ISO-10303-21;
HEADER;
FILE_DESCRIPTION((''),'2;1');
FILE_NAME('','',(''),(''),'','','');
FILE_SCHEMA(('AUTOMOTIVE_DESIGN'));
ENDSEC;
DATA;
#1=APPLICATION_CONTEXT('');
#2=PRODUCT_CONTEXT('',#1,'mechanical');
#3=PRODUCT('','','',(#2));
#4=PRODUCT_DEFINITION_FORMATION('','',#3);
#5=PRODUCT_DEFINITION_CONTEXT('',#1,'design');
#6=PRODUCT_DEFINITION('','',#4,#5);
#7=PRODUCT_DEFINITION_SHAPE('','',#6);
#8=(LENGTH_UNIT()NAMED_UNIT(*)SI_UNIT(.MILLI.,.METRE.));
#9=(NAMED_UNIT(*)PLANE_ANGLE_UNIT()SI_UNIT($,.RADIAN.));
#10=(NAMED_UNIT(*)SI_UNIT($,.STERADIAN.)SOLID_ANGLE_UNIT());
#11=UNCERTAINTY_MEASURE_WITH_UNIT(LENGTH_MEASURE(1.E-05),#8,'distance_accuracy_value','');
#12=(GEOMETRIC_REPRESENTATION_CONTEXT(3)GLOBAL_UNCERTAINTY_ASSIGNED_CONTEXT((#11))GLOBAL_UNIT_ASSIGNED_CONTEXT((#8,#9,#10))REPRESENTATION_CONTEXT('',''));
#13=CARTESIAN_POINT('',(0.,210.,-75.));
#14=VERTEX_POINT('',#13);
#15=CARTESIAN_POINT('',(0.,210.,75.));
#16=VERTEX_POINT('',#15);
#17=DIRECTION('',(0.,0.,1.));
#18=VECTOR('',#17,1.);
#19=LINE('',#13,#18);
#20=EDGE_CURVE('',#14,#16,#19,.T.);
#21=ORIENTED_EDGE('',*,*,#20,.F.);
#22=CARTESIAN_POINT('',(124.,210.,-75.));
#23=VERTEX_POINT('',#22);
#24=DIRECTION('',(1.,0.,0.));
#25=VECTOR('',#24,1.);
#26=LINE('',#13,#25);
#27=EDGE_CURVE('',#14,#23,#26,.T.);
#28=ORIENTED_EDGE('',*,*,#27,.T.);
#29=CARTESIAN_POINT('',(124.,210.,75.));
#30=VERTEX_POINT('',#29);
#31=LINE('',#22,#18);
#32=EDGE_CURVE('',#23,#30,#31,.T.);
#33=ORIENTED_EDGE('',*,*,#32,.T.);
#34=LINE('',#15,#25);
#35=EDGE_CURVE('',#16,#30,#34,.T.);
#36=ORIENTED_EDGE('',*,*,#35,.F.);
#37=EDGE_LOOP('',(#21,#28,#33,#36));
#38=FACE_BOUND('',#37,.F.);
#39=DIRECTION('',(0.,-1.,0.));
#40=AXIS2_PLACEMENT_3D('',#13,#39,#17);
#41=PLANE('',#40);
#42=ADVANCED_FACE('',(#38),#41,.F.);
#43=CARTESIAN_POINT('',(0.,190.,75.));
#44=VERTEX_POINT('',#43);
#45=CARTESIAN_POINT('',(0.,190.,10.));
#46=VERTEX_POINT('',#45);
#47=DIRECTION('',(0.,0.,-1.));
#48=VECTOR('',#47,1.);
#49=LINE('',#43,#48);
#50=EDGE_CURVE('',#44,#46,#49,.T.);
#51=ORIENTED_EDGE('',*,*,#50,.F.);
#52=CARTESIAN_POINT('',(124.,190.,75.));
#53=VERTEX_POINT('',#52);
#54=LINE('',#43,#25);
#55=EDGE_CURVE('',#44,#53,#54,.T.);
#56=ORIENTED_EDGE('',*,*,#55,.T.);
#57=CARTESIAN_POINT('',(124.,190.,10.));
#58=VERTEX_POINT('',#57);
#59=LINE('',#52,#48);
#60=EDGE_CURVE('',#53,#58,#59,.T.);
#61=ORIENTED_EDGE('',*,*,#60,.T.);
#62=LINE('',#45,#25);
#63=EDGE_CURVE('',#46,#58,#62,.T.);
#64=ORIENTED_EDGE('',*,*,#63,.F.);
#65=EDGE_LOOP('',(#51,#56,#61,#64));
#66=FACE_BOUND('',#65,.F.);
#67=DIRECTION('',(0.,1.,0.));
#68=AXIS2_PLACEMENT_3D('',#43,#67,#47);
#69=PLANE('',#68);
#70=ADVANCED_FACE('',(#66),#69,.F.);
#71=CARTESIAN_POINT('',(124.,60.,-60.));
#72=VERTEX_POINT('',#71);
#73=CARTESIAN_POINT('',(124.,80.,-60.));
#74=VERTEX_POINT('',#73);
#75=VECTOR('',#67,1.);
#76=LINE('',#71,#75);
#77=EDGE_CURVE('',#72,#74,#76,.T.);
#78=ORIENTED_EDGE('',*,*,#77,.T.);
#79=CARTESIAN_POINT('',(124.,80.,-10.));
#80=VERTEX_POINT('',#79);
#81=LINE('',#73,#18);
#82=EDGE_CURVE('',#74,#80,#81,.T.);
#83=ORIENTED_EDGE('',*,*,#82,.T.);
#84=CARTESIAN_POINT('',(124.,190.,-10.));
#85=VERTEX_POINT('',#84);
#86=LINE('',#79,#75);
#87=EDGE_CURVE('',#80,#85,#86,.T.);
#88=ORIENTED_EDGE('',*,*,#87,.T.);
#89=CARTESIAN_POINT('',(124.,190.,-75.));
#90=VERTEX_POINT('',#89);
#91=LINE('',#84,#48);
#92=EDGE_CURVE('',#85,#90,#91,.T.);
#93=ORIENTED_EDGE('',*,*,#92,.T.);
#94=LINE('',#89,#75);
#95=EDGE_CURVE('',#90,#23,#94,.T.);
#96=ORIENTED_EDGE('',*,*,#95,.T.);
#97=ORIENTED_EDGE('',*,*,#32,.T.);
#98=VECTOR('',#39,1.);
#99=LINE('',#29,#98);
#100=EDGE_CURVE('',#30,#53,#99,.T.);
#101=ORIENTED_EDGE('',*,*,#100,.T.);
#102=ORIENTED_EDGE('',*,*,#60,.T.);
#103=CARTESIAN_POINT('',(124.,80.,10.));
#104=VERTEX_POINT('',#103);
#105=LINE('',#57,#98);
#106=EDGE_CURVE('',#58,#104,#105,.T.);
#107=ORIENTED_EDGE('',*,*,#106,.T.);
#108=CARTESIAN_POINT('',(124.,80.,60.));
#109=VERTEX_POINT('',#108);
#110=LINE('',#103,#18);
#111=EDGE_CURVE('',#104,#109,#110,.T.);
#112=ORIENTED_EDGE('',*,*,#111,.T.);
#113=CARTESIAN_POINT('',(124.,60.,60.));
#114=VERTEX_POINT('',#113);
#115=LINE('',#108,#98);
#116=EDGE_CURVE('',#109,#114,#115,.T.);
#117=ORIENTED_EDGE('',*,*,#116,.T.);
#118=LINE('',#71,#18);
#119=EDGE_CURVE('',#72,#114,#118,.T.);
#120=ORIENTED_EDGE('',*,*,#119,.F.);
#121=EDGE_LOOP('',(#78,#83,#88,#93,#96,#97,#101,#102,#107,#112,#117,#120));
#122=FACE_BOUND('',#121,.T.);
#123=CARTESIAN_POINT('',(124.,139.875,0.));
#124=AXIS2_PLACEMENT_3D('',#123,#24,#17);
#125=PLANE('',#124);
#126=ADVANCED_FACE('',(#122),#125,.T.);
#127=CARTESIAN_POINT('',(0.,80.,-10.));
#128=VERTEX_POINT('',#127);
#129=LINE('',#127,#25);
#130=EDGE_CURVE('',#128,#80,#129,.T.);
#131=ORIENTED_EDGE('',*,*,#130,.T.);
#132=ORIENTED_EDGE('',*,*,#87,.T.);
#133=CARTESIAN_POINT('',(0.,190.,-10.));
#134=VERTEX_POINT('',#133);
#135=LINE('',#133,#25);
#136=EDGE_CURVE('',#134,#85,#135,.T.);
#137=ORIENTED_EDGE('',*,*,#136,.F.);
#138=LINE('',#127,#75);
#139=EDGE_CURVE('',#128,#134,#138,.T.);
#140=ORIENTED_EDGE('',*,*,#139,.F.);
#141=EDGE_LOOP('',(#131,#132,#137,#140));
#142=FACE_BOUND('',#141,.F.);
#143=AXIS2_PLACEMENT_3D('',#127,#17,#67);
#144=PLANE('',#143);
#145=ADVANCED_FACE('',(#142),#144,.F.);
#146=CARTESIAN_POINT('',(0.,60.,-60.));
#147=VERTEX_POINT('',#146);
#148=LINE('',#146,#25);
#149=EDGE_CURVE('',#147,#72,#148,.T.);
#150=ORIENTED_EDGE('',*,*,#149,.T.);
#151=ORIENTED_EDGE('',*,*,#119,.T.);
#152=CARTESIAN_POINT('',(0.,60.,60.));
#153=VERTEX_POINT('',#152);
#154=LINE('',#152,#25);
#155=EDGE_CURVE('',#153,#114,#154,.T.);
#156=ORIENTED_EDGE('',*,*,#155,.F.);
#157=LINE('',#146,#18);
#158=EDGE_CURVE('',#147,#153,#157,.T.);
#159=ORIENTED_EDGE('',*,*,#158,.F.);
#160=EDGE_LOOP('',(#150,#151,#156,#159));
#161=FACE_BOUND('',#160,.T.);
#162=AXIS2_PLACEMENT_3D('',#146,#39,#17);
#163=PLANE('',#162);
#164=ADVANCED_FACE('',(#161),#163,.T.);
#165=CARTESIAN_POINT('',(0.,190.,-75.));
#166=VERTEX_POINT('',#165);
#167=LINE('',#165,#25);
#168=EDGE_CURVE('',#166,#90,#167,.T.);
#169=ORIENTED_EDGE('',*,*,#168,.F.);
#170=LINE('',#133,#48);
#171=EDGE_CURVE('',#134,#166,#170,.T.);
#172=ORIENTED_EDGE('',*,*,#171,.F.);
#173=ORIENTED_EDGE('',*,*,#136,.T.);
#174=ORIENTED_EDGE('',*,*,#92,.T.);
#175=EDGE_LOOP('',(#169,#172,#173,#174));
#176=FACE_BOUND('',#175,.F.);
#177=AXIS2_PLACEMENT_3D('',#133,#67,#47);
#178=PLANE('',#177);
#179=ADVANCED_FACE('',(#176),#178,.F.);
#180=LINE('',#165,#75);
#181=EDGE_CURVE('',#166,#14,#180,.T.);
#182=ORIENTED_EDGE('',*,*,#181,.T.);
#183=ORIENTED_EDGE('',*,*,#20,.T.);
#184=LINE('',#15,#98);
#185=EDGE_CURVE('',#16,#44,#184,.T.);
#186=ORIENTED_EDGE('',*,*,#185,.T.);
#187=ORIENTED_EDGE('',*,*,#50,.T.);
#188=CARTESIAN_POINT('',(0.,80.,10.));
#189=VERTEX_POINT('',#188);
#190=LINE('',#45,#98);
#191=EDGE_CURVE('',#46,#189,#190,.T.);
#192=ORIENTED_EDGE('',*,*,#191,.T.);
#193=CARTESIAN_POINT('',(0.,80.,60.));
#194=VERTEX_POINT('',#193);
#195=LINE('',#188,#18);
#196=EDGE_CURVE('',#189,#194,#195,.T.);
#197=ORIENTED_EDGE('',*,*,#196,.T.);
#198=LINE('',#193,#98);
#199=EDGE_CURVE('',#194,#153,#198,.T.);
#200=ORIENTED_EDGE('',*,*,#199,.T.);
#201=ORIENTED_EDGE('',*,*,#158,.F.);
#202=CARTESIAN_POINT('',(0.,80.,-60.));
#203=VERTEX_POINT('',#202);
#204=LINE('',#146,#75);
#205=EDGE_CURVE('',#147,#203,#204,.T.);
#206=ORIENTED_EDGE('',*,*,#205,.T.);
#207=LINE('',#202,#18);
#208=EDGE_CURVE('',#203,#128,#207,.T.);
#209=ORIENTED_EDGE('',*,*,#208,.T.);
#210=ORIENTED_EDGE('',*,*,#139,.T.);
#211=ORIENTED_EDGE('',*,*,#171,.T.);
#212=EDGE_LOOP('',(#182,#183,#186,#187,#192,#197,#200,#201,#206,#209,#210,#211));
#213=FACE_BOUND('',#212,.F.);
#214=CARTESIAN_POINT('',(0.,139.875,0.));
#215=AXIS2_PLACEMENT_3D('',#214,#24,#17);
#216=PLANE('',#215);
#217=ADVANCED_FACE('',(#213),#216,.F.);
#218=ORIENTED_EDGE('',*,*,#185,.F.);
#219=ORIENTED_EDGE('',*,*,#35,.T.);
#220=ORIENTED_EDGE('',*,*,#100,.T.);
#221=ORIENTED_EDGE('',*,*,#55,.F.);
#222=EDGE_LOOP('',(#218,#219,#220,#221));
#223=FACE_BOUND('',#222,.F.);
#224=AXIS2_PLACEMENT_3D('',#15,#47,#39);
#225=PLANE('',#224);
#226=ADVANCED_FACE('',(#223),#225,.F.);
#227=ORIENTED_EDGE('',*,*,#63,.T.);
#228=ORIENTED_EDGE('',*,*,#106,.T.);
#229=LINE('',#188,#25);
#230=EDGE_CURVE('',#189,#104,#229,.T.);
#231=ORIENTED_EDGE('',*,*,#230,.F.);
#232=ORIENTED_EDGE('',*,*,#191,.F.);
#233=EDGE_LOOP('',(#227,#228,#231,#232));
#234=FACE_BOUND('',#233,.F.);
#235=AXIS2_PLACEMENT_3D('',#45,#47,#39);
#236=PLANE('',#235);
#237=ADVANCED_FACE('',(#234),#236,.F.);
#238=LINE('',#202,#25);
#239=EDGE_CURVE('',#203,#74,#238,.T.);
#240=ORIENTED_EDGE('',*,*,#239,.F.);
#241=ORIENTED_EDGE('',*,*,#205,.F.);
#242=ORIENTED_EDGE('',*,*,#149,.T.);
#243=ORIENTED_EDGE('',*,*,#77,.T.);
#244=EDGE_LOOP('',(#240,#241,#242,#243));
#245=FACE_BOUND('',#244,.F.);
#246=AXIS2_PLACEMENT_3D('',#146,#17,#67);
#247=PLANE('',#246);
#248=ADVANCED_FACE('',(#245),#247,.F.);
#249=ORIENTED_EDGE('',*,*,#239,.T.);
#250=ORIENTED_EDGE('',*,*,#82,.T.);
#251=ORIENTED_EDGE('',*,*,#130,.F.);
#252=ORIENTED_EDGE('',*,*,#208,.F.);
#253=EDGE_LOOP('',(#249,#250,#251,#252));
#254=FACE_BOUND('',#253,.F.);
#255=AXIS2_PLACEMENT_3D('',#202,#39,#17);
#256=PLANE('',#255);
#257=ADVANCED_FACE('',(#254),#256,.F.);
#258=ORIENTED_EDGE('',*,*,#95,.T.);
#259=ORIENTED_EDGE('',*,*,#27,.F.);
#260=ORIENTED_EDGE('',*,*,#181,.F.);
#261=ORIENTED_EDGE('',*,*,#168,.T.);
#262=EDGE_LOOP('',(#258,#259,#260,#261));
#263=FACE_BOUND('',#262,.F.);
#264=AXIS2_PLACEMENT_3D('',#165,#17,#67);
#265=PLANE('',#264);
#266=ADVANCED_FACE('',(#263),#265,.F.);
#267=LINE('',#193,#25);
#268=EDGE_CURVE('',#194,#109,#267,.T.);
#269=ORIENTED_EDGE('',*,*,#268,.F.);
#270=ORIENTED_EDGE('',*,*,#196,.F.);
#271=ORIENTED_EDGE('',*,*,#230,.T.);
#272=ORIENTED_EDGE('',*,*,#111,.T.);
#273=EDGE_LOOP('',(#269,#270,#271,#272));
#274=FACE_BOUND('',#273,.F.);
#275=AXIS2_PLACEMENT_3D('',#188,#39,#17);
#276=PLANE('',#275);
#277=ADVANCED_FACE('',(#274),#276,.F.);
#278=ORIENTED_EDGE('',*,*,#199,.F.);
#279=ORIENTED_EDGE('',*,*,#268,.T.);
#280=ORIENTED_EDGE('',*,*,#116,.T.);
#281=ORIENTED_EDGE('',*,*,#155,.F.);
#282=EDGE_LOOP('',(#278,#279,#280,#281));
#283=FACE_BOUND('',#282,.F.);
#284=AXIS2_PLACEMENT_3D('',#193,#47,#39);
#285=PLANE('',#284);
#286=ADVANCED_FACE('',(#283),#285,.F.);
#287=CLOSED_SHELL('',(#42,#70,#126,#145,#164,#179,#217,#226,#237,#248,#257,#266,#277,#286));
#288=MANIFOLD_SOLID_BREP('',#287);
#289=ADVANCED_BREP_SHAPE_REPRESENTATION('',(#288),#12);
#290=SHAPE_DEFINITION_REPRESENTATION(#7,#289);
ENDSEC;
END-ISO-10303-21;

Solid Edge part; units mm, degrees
sketch "Sketch1" plane through (0, 0, 0) normal (1, 0, 0) x (0, 1, 0)
  line L0 (60, -60) -> (80, -60)
  line L1 (80, -60) -> (80, -10)
  line L2 (80, -10) -> (190, -10)
  line L3 (190, -10) -> (190, -75)
  line L4 (190, -75) -> (210, -75)
  line L5 (210, -75) -> (210, 75)
  line L6 (210, 75) -> (190, 75)
  line L7 (190, 75) -> (190, 10)
  line L8 (190, 10) -> (80, 10)
  line L9 (80, 10) -> (80, 60)
  line L10 (80, 60) -> (60, 60)
  line L11 (60, -60) -> (60, 60)
  dimension "D1" = 20
  dimension "D2" = 150
  dimension "D3" = 120
  dimension "D4" = 150
  dimension "D5" = 20
  dimension "D6" = 20
extrude "Protrusion1" add sketch "Sketch1" along normal blind 124
properties material "Steel"
